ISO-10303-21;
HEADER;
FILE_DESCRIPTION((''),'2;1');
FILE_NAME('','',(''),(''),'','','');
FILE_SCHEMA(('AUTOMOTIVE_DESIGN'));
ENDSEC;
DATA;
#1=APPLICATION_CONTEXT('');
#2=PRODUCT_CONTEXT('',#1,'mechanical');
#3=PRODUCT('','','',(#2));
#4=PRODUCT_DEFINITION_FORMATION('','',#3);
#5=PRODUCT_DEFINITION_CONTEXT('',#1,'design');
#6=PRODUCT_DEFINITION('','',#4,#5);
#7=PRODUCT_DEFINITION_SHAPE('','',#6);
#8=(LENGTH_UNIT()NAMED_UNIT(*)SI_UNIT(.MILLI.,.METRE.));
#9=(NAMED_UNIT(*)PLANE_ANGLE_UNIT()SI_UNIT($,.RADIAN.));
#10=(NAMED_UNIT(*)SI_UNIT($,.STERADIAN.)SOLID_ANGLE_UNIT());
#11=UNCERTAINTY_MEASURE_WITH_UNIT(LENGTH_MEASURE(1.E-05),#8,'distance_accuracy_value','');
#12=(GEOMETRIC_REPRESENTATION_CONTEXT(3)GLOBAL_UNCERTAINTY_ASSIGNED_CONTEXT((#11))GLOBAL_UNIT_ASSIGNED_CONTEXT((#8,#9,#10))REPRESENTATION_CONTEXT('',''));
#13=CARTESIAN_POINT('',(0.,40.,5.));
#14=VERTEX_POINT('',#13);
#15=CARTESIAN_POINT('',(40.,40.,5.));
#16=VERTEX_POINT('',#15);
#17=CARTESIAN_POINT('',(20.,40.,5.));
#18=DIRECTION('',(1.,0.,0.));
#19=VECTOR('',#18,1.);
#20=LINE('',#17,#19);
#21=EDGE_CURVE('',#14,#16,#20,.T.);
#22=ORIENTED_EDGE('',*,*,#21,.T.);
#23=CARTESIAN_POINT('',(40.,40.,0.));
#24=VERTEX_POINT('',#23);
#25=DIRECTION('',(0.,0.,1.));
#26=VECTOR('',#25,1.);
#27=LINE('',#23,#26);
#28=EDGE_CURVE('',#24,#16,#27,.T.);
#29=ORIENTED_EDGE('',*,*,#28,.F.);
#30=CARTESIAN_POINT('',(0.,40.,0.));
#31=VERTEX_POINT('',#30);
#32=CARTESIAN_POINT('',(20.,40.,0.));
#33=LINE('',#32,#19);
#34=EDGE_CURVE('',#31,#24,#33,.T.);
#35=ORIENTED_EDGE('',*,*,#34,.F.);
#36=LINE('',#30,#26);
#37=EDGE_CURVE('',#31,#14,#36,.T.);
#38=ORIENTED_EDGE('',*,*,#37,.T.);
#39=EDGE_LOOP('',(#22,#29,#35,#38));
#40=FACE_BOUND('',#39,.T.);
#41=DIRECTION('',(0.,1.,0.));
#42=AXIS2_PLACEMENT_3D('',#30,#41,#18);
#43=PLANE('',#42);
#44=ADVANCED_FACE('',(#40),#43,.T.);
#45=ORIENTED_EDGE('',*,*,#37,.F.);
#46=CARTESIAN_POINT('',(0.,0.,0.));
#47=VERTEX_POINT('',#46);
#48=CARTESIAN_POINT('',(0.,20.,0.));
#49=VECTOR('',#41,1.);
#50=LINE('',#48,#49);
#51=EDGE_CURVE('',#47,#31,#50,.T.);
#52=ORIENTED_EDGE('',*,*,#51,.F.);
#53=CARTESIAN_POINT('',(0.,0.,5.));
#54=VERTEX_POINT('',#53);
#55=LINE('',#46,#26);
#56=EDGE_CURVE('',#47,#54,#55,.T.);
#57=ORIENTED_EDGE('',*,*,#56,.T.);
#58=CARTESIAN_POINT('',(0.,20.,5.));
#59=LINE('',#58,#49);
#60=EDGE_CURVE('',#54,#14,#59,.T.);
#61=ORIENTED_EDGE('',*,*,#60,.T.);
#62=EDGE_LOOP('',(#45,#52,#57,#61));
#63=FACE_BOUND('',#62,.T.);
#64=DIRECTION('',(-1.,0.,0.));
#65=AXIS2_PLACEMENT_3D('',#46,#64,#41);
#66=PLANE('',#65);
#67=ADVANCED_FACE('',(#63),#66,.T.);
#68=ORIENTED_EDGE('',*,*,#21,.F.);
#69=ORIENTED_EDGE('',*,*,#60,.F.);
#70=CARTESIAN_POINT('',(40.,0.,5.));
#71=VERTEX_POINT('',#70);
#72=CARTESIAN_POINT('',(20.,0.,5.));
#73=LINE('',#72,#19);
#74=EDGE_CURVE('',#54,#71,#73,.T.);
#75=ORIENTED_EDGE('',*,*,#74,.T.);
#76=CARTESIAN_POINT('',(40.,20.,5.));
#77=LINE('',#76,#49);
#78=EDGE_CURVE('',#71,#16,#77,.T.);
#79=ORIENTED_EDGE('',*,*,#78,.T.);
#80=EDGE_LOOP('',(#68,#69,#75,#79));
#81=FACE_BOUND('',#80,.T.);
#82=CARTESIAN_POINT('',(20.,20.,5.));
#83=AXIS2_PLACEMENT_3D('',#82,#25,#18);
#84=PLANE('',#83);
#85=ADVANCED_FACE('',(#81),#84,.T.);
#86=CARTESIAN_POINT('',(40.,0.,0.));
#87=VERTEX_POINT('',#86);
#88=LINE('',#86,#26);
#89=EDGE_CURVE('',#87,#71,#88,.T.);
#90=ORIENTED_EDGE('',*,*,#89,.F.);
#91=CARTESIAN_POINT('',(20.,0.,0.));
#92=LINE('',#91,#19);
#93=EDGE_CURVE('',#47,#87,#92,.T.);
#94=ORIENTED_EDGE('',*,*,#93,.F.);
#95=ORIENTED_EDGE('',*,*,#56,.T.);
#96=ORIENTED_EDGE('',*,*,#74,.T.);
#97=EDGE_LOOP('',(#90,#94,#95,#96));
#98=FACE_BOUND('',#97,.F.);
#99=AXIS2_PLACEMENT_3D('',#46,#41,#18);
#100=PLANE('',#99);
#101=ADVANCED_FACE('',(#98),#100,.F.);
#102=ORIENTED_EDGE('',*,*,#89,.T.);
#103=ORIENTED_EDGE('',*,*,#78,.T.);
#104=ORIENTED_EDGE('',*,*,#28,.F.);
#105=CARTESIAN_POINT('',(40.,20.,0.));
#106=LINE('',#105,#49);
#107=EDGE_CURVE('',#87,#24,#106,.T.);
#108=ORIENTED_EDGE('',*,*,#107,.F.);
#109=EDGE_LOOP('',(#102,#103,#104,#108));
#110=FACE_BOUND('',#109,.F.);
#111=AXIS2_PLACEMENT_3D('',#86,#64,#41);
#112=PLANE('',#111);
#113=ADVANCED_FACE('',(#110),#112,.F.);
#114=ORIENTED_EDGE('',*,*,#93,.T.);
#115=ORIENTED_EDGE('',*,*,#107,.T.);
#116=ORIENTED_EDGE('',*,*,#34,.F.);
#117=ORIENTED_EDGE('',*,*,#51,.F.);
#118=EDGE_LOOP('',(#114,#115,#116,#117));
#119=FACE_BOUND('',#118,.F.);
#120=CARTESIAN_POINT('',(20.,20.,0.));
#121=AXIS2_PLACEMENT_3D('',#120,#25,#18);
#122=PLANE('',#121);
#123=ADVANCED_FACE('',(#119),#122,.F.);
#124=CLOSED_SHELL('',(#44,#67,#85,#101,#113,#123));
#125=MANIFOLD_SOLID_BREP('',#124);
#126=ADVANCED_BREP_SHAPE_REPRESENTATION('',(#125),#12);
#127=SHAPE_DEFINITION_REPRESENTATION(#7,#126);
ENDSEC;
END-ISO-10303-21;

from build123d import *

# Parameters (mm, degrees)
SKETCH_1_W      = 40
SKETCH_1_H      = 40
EXTRUDE_1_DEPTH = 5


with BuildPart() as part:
    # 草图1 → 凸台-拉伸1 (new body)
    with BuildSketch(Plane.XY):
        with Locations((20, 20)):
            Rectangle(SKETCH_1_W, SKETCH_1_H)
    extrude(amount=EXTRUDE_1_DEPTH)


solid = part.part
